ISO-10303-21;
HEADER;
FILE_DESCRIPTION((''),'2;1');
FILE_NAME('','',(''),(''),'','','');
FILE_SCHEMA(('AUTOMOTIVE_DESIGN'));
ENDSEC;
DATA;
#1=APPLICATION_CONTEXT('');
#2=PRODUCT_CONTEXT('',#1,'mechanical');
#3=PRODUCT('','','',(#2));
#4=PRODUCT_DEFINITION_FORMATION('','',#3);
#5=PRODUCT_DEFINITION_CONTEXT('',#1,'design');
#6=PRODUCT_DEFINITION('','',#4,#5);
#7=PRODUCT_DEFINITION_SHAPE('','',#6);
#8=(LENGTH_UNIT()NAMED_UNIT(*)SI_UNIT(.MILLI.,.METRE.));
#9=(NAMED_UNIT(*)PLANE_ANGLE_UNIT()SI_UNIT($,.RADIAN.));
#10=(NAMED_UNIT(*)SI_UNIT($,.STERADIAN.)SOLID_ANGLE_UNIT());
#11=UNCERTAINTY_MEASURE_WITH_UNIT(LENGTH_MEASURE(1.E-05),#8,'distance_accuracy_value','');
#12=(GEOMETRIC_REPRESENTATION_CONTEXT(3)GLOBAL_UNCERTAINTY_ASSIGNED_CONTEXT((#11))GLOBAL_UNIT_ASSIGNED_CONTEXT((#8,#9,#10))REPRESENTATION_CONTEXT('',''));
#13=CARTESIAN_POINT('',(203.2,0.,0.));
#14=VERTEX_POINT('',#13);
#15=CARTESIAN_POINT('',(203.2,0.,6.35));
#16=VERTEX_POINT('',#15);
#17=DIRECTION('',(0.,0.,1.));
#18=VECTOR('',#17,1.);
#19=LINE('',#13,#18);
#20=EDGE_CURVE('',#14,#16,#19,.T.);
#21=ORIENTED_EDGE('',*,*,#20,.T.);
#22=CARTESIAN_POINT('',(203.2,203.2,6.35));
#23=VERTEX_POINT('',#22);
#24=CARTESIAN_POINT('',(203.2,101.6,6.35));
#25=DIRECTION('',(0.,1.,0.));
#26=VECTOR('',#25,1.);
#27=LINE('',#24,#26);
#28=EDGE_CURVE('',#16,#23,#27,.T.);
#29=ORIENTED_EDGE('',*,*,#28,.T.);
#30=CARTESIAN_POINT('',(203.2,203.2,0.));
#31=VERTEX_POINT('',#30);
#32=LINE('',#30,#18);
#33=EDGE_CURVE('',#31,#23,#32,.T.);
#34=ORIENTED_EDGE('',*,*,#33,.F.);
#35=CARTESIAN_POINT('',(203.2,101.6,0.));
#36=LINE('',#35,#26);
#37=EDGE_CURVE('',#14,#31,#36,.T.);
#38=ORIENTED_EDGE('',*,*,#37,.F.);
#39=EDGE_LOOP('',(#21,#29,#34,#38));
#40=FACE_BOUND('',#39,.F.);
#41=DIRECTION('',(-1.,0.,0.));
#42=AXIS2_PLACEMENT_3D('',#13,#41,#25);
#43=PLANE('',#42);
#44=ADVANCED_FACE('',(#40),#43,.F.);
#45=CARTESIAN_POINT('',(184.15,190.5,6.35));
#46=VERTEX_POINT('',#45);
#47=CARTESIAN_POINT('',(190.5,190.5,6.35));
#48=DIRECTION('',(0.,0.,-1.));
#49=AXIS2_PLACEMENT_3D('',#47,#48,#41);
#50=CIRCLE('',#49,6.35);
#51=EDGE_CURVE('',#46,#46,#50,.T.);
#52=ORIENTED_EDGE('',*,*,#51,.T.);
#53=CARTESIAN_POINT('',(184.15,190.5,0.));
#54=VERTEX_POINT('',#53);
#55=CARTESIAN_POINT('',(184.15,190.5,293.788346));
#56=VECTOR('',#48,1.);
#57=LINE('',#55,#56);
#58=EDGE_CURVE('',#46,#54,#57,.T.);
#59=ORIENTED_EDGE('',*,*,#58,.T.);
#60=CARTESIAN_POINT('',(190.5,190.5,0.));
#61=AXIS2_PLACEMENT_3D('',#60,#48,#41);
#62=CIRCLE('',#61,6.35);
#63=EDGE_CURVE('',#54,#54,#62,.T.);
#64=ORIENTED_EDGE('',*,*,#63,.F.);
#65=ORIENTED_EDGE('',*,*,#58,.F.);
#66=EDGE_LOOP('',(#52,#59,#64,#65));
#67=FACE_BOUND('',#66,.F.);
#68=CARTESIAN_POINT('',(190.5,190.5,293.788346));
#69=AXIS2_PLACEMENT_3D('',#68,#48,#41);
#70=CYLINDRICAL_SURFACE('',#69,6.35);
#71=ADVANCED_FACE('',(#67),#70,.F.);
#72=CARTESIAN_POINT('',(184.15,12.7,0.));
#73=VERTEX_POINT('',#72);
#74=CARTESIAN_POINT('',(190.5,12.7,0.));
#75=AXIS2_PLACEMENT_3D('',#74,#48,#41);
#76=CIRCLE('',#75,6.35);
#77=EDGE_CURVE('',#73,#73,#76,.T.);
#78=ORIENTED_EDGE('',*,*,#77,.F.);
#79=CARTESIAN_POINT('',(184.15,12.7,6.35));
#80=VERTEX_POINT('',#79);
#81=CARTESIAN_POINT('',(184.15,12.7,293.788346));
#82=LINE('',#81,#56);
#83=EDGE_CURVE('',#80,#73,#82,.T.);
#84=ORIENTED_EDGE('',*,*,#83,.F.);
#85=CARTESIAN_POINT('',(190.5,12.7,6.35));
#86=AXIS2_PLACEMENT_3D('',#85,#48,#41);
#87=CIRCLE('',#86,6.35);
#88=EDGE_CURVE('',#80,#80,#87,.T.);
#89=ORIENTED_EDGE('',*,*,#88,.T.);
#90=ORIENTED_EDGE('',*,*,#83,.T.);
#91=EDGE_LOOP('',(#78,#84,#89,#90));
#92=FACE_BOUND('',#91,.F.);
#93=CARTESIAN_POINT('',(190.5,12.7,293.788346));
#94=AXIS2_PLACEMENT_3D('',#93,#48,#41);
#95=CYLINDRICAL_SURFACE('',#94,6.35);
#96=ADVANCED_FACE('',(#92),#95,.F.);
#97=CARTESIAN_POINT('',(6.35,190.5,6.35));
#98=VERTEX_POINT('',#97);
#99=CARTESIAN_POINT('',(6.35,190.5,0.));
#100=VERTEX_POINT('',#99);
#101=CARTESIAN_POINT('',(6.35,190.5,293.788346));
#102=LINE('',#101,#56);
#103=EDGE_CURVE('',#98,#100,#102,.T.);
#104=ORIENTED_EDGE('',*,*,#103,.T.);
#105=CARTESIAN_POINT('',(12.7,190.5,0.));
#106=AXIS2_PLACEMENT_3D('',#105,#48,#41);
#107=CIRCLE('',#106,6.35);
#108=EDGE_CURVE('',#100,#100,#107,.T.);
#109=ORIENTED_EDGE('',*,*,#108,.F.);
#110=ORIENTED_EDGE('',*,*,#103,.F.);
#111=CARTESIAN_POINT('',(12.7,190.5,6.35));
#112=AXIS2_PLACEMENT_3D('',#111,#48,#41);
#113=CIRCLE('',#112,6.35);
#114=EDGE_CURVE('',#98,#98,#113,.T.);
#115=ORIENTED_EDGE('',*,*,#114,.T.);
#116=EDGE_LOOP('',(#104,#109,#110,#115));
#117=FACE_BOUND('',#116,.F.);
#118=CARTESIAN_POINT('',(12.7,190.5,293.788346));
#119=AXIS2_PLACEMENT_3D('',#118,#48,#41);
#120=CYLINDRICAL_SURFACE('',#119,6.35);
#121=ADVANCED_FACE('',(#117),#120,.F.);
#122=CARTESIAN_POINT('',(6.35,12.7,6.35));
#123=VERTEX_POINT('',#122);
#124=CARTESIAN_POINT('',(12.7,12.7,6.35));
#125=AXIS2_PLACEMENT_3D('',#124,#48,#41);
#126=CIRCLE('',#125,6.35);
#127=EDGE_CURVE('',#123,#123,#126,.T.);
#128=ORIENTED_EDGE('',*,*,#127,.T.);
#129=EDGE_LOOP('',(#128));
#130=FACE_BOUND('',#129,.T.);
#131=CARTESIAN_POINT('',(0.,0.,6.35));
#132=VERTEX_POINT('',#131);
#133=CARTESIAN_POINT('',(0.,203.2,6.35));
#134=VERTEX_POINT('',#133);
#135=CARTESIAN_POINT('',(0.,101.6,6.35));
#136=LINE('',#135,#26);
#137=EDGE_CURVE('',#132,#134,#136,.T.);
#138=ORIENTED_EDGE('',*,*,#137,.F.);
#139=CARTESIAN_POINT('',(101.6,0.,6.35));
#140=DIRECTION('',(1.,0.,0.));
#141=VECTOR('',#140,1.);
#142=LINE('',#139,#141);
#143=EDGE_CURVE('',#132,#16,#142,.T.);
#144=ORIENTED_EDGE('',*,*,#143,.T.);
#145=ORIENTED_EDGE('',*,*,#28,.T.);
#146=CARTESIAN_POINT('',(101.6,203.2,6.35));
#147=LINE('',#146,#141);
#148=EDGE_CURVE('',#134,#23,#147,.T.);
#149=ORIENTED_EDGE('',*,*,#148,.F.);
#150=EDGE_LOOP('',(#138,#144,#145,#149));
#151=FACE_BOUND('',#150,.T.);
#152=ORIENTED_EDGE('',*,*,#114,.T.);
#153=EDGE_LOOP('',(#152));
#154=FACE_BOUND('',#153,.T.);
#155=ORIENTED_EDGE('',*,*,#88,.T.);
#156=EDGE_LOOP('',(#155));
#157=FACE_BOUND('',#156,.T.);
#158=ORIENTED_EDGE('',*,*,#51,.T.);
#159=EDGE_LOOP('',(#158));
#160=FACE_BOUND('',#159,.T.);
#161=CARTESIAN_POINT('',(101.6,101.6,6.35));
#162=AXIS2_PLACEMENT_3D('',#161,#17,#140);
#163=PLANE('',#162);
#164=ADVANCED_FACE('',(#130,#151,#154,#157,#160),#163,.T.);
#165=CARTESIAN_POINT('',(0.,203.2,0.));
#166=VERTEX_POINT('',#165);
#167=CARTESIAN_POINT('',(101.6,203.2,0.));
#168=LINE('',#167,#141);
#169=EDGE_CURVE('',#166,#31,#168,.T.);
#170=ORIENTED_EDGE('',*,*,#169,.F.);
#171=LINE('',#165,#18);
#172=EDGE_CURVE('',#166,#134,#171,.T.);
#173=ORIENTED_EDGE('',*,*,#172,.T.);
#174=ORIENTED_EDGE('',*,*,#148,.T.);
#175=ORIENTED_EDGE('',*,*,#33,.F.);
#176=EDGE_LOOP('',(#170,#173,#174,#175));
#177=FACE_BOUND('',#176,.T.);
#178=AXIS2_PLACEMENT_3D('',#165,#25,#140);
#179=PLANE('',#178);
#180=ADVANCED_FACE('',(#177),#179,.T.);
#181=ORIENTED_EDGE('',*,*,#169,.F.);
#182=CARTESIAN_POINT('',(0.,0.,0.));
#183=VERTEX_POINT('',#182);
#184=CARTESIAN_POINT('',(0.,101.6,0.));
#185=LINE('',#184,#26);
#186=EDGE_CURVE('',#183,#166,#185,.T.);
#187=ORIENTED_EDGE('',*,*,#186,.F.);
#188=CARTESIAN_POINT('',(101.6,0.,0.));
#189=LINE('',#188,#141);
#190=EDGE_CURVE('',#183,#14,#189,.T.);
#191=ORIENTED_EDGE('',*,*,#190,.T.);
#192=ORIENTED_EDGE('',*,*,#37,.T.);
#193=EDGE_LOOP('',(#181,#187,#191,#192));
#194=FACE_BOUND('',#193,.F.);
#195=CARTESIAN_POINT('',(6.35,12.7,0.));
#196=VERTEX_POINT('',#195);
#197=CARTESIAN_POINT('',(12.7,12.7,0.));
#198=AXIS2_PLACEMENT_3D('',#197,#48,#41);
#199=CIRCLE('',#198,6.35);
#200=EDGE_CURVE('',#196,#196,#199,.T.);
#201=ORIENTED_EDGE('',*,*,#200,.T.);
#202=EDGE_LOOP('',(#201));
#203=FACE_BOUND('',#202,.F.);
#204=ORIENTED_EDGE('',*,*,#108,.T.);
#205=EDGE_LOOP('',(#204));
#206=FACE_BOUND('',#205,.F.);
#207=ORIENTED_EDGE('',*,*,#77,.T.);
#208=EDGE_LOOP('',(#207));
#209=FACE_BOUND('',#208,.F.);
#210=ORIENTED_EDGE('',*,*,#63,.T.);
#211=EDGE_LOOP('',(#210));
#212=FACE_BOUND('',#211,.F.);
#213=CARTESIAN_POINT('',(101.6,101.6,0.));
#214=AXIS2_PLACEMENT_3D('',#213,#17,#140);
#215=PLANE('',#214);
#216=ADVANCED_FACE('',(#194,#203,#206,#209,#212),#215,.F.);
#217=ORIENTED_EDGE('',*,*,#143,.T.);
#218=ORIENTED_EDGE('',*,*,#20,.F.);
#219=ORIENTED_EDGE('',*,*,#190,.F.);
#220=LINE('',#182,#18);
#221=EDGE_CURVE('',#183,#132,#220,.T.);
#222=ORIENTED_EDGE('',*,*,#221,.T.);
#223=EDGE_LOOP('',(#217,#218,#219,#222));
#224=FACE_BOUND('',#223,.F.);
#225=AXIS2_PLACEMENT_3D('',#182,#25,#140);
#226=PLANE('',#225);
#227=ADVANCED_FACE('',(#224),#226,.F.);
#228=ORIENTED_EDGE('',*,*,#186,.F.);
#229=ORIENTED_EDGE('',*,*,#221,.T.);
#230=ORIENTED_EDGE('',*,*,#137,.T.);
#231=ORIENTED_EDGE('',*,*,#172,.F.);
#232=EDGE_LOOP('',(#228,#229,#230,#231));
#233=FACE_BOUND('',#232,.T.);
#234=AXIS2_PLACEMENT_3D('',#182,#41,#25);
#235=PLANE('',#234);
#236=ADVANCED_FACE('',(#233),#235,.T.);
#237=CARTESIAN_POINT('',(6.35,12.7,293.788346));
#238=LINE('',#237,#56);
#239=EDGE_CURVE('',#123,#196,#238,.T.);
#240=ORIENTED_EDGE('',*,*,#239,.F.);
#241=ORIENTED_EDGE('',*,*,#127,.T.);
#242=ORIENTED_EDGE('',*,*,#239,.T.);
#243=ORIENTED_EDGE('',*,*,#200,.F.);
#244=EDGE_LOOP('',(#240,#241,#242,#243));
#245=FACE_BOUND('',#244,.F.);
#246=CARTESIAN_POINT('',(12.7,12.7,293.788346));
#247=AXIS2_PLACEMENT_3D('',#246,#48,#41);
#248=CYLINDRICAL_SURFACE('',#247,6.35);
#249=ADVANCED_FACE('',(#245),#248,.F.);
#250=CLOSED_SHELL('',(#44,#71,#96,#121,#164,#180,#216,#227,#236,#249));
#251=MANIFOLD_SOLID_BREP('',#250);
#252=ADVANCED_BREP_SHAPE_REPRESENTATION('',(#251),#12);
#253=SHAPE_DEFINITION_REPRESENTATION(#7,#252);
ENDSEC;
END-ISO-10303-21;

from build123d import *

# Parameters (mm, degrees)
F0_W     = 203.2
F0_H     = 203.2
F1_DEPTH = 6.35
F3_D     = 12.7


with BuildPart() as f1:
    # F0 (on Top) → F1 (new body)
    with BuildSketch(Plane.XY):
        with Locations((101.6, 101.6)):
            Rectangle(F0_W, F0_H)
    extrude(amount=F1_DEPTH)

    # F3 (through all)
    with Locations(Plane.XY.offset(6.35)):
        with Locations((12.7, 190.5), (12.7, 12.7), (190.5, 12.7), (190.5, 190.5)):
            Hole(F3_D / 2)


solid = f1.part
